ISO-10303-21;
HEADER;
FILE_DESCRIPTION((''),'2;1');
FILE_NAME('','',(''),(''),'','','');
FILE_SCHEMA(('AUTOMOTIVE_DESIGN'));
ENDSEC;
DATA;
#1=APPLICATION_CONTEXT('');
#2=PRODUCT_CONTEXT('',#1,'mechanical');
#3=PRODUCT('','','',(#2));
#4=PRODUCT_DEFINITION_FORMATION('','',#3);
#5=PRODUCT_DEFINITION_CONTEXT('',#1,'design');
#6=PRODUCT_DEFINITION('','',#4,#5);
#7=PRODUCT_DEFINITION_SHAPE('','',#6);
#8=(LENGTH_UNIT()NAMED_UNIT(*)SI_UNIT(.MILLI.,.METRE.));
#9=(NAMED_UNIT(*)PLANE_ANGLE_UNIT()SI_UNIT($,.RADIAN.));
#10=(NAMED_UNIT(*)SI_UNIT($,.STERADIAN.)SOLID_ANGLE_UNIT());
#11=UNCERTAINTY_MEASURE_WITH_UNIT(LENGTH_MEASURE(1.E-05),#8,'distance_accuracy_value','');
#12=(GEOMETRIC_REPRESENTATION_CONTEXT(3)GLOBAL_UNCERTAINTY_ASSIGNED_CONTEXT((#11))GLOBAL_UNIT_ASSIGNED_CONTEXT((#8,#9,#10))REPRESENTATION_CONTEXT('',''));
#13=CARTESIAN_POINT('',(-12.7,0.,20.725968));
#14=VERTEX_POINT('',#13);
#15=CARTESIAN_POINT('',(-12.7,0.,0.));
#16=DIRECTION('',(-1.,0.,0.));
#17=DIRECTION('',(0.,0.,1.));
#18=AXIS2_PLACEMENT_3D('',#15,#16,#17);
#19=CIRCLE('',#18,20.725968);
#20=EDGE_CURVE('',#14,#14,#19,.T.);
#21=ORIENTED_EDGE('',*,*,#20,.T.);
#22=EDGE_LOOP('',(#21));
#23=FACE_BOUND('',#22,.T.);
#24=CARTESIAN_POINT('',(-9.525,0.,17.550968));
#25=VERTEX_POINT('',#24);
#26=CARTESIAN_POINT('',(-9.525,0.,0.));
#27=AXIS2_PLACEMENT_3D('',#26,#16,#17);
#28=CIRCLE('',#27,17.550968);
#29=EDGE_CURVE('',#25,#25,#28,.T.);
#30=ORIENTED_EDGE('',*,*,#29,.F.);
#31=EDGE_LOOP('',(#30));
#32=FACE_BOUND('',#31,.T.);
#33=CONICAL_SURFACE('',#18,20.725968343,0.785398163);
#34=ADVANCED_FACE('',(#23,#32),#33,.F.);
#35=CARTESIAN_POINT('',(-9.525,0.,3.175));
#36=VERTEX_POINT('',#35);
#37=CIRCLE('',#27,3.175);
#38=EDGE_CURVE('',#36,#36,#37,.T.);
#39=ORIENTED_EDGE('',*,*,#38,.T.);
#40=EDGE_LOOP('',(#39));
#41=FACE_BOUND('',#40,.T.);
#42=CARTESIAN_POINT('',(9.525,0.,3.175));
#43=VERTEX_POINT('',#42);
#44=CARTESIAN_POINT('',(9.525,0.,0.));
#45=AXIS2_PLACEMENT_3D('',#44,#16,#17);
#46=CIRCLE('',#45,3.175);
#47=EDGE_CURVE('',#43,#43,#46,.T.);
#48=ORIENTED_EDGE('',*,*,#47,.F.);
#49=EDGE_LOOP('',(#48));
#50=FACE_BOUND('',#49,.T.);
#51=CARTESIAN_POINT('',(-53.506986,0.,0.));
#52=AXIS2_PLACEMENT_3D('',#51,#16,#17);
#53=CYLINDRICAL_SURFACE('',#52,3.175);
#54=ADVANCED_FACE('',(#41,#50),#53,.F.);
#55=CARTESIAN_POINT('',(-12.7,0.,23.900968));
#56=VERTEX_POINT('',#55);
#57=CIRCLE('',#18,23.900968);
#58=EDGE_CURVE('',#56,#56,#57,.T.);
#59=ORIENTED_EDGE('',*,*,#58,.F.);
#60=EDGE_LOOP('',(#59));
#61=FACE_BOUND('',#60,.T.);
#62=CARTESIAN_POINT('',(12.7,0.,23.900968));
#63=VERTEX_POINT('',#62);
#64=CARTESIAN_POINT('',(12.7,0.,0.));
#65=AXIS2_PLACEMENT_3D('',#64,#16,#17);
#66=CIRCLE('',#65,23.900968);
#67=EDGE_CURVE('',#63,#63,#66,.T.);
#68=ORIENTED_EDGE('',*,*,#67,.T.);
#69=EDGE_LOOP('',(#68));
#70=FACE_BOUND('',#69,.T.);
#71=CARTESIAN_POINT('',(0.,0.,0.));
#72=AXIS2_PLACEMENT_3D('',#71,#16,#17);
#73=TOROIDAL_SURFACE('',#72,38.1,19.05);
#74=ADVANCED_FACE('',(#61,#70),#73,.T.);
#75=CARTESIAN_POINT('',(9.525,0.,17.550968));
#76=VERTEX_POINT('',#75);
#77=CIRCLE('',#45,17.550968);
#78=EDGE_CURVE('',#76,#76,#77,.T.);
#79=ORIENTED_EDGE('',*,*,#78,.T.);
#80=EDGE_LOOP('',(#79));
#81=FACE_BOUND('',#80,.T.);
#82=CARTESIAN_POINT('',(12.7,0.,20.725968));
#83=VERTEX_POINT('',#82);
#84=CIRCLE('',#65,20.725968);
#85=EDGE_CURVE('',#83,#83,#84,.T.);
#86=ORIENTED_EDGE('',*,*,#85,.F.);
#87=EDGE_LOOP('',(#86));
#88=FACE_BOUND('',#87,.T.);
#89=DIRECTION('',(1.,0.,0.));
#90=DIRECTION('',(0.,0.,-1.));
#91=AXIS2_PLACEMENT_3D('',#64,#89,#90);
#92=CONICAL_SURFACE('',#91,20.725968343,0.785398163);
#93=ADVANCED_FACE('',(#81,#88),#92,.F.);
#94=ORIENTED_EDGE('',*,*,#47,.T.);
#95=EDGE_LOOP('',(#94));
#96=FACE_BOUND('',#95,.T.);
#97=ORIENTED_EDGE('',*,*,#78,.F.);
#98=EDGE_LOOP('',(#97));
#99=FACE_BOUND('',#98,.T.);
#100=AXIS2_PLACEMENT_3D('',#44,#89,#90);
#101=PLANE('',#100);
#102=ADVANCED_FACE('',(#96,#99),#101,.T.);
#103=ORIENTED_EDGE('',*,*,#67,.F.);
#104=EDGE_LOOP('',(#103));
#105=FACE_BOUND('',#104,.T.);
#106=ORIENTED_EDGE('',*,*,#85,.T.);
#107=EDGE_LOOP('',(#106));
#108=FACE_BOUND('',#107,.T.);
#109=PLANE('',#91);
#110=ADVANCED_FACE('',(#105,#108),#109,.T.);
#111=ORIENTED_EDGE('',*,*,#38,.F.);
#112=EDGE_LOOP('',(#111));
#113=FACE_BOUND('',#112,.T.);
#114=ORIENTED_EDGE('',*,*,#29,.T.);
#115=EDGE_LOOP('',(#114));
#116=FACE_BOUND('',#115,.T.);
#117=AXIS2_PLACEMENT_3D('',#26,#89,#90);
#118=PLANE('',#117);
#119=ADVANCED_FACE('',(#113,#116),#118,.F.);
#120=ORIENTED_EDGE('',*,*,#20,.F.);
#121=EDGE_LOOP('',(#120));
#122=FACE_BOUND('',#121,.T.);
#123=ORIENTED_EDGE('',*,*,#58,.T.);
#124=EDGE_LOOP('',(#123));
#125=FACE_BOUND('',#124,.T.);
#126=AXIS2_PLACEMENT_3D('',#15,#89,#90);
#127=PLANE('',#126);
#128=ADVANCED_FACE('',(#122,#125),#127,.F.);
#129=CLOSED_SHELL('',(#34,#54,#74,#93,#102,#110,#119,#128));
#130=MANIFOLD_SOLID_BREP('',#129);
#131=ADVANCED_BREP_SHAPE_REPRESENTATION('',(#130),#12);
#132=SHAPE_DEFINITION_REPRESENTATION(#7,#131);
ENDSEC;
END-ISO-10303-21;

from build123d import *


with BuildPart() as part:
    # Sketch1 → Revolve1 (revolve)
    with BuildSketch(Plane.XY):
        with BuildLine():
            ThreePointArc((-12.7, 23.900968343), (0, 57.15), (12.7, 23.900968343))
            Line((12.7, 23.900968343), (12.7, 20.725968343))
            Line((12.7, 20.725968343), (9.525, 17.550968343))
            Line((9.525, 17.550968343), (9.525, 3.175))
            Line((9.525, 3.175), (-9.525, 3.175))
            Line((-9.525, 3.175), (-9.525, 17.550968343))
            Line((-9.525, 17.550968343), (-12.7, 20.725968343))
            Line((-12.7, 20.725968343), (-12.7, 23.900968343))
        make_face()
    revolve(axis=Axis((-53.506986498, 0, 0), (1, 0, 0)))


solid = part.part
